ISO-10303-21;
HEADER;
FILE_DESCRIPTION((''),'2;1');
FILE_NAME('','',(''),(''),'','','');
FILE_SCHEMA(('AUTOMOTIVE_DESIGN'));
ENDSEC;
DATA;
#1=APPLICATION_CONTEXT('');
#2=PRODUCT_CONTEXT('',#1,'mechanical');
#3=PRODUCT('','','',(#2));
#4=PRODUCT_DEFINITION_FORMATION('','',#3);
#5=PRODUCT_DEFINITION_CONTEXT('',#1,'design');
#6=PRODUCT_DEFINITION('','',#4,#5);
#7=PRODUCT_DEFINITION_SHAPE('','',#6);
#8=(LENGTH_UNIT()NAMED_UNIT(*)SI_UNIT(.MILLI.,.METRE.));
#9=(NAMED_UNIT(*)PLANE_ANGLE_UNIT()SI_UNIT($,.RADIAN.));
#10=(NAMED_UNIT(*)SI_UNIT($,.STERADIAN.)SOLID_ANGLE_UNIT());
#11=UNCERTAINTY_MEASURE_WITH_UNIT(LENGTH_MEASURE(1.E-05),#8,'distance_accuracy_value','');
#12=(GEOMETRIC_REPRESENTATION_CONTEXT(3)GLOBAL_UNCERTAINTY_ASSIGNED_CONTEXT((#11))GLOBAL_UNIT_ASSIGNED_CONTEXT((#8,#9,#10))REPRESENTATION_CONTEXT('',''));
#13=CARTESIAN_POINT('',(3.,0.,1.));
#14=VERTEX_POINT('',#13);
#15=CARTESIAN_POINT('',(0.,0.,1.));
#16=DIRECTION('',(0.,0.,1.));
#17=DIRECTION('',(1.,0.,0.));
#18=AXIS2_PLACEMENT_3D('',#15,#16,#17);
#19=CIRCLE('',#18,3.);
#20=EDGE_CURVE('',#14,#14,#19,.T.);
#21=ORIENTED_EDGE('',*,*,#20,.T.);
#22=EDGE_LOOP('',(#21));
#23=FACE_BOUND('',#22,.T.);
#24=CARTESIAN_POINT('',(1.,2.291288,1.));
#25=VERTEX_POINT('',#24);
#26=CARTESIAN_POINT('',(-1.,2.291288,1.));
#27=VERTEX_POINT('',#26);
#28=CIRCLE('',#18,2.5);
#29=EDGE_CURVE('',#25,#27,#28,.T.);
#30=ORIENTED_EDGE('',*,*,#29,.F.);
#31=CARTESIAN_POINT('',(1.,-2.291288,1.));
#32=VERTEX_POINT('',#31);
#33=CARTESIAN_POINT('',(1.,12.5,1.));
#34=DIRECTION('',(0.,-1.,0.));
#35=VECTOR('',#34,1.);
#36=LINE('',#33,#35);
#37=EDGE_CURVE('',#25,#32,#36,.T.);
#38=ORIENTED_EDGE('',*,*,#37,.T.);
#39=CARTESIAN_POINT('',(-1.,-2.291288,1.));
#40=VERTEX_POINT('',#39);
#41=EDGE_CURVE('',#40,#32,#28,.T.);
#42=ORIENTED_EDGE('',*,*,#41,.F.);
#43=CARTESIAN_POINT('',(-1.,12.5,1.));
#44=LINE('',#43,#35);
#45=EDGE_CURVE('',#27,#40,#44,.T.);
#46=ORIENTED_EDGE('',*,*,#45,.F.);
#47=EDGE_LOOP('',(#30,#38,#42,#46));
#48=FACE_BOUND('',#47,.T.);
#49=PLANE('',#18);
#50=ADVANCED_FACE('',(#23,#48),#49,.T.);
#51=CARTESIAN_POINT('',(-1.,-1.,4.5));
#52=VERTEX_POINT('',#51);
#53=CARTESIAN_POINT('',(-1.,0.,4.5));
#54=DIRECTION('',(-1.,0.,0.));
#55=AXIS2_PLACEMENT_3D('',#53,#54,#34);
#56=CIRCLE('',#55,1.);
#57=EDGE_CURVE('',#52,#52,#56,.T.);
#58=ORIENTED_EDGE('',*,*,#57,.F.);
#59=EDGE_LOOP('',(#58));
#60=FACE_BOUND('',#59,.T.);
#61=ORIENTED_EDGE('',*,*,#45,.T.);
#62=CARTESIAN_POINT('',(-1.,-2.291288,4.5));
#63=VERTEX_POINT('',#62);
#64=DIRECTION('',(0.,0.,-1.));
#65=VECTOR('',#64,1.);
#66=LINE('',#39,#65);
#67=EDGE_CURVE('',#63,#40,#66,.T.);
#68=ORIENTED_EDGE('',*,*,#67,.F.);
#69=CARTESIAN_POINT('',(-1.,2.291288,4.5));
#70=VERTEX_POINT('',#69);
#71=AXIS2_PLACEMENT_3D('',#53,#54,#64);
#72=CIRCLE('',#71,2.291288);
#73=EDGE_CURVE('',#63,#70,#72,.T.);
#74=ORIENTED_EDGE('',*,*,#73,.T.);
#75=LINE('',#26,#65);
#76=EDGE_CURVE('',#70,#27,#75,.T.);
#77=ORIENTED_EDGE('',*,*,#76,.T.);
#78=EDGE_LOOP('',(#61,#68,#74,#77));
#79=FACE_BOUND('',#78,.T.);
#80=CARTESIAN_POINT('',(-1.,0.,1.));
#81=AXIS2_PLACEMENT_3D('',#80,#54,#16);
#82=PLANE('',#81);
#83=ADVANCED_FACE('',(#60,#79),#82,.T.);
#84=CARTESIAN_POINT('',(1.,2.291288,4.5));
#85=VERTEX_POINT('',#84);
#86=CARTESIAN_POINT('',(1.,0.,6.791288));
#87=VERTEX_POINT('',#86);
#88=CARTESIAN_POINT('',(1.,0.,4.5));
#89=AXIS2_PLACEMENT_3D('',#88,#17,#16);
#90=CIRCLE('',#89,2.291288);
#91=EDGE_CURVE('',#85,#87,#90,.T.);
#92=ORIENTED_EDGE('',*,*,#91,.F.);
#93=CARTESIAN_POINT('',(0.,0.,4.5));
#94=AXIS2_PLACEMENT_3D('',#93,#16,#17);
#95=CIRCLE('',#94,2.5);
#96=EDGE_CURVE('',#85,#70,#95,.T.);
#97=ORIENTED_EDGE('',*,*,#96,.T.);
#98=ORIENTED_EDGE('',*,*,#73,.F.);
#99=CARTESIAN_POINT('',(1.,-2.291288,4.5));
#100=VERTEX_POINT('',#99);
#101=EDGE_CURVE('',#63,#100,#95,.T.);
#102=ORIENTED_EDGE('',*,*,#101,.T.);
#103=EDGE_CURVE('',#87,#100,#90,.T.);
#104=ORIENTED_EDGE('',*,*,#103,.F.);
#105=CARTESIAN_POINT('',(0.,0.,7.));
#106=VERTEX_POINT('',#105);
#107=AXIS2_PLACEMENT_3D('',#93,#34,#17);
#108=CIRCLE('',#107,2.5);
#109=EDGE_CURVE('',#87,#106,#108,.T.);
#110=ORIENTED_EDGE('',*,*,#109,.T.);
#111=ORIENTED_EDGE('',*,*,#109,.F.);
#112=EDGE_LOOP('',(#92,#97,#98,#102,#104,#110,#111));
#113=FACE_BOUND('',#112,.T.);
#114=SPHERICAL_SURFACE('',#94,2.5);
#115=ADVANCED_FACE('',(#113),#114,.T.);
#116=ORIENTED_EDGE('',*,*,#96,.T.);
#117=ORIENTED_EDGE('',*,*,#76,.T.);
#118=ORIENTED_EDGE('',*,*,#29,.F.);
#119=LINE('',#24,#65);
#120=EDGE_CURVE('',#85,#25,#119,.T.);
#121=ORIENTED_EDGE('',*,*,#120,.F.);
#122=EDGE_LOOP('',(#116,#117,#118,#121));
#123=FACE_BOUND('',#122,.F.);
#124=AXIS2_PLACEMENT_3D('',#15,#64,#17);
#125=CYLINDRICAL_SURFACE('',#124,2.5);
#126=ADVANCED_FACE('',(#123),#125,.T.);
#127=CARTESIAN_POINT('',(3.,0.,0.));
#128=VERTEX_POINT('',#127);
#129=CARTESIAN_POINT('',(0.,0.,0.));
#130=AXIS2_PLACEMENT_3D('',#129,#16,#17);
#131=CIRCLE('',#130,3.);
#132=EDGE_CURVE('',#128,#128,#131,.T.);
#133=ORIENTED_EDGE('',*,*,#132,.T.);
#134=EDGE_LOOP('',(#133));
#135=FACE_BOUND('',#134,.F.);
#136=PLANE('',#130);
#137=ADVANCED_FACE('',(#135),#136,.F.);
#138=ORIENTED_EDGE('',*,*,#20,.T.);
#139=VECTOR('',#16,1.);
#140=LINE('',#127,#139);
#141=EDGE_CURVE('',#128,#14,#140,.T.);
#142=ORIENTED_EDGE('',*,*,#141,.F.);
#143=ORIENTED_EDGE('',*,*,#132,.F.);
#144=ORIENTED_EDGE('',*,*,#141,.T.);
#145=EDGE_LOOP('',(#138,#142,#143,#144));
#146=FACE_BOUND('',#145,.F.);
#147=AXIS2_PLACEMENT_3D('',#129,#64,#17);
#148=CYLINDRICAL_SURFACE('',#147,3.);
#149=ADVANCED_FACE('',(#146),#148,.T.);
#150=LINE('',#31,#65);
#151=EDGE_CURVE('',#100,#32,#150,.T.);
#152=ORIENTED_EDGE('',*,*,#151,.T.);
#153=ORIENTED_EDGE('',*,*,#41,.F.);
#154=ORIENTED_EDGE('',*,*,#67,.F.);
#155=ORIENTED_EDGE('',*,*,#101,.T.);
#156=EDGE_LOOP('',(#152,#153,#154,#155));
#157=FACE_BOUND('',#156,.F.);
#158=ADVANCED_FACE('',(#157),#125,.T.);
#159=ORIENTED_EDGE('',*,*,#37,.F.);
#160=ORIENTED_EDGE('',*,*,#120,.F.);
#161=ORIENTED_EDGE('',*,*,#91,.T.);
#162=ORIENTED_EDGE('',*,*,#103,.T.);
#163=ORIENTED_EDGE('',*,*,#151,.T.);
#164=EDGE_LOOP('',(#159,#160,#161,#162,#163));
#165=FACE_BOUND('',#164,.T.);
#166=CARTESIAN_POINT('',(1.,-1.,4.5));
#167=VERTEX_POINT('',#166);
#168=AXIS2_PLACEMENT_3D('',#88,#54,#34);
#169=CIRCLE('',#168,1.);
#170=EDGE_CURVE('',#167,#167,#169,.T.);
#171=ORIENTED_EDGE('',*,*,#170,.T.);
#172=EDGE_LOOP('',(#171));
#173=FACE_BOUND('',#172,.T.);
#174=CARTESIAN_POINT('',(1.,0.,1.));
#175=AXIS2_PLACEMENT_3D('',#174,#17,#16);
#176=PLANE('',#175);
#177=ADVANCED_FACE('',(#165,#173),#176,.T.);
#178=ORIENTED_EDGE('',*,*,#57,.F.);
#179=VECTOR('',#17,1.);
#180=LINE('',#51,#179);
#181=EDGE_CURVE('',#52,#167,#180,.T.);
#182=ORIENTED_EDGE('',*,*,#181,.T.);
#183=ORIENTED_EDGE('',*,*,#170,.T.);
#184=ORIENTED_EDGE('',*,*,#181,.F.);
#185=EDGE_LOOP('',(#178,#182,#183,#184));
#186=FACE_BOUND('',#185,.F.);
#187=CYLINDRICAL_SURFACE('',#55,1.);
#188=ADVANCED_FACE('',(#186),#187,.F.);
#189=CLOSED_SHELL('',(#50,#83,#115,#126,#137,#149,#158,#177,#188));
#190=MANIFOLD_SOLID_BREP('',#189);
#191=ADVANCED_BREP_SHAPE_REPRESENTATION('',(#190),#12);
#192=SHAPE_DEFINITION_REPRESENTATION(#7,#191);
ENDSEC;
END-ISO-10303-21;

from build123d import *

# Parameters (mm, degrees)
F0_R     = 3
F1_DEPTH = 1
F2_R     = 2.5
F3_DEPTH = 6
F4_R     = 2.5
F5_W     = 1.9698908329
F5_H     = 6.6161441393
F5_W_2   = 2.2700465526
F6_DEPTH = 12.5
F7_R     = 1
F8_DEPTH = 4.001


with BuildPart() as f1:
    # F0 (on Top) → F1 (new body)
    with BuildSketch(Plane.XY):
        Circle(F0_R)
    extrude(amount=F1_DEPTH)

    # F2 (on face) → F3 (join)
    with BuildSketch(Plane.XY.offset(1)):
        Circle(F2_R)
    extrude(amount=F3_DEPTH)

    # F4
    f4_edges = [f1.edges().sort_by_distance(p)[0] for p in [
        (-2.5, 0, 7),
    ]]
    fillet(f4_edges, radius=F4_R)

    # F5 (on Front) → F6 (cut, symmetric)
    with BuildSketch(Plane.XZ):
        with Locations((-1.9849454165, 4.3080720697)):
            Rectangle(F5_W, F5_H)
        with Locations((2.1350232763, 4.3080720697)):
            Rectangle(F5_W_2, F5_H)
    extrude(amount=F6_DEPTH, both=True, mode=Mode.SUBTRACT)

    # F7 (on face) → F8 (cut, through all)
    with BuildSketch(Plane(origin=(-1, 0, 0), x_dir=(0, -1, 0), z_dir=(-1, 0, 0))):
        with Locations((0, 4.5)):
            Circle(F7_R)
    extrude(amount=-F8_DEPTH, mode=Mode.SUBTRACT)


solid = f1.part
